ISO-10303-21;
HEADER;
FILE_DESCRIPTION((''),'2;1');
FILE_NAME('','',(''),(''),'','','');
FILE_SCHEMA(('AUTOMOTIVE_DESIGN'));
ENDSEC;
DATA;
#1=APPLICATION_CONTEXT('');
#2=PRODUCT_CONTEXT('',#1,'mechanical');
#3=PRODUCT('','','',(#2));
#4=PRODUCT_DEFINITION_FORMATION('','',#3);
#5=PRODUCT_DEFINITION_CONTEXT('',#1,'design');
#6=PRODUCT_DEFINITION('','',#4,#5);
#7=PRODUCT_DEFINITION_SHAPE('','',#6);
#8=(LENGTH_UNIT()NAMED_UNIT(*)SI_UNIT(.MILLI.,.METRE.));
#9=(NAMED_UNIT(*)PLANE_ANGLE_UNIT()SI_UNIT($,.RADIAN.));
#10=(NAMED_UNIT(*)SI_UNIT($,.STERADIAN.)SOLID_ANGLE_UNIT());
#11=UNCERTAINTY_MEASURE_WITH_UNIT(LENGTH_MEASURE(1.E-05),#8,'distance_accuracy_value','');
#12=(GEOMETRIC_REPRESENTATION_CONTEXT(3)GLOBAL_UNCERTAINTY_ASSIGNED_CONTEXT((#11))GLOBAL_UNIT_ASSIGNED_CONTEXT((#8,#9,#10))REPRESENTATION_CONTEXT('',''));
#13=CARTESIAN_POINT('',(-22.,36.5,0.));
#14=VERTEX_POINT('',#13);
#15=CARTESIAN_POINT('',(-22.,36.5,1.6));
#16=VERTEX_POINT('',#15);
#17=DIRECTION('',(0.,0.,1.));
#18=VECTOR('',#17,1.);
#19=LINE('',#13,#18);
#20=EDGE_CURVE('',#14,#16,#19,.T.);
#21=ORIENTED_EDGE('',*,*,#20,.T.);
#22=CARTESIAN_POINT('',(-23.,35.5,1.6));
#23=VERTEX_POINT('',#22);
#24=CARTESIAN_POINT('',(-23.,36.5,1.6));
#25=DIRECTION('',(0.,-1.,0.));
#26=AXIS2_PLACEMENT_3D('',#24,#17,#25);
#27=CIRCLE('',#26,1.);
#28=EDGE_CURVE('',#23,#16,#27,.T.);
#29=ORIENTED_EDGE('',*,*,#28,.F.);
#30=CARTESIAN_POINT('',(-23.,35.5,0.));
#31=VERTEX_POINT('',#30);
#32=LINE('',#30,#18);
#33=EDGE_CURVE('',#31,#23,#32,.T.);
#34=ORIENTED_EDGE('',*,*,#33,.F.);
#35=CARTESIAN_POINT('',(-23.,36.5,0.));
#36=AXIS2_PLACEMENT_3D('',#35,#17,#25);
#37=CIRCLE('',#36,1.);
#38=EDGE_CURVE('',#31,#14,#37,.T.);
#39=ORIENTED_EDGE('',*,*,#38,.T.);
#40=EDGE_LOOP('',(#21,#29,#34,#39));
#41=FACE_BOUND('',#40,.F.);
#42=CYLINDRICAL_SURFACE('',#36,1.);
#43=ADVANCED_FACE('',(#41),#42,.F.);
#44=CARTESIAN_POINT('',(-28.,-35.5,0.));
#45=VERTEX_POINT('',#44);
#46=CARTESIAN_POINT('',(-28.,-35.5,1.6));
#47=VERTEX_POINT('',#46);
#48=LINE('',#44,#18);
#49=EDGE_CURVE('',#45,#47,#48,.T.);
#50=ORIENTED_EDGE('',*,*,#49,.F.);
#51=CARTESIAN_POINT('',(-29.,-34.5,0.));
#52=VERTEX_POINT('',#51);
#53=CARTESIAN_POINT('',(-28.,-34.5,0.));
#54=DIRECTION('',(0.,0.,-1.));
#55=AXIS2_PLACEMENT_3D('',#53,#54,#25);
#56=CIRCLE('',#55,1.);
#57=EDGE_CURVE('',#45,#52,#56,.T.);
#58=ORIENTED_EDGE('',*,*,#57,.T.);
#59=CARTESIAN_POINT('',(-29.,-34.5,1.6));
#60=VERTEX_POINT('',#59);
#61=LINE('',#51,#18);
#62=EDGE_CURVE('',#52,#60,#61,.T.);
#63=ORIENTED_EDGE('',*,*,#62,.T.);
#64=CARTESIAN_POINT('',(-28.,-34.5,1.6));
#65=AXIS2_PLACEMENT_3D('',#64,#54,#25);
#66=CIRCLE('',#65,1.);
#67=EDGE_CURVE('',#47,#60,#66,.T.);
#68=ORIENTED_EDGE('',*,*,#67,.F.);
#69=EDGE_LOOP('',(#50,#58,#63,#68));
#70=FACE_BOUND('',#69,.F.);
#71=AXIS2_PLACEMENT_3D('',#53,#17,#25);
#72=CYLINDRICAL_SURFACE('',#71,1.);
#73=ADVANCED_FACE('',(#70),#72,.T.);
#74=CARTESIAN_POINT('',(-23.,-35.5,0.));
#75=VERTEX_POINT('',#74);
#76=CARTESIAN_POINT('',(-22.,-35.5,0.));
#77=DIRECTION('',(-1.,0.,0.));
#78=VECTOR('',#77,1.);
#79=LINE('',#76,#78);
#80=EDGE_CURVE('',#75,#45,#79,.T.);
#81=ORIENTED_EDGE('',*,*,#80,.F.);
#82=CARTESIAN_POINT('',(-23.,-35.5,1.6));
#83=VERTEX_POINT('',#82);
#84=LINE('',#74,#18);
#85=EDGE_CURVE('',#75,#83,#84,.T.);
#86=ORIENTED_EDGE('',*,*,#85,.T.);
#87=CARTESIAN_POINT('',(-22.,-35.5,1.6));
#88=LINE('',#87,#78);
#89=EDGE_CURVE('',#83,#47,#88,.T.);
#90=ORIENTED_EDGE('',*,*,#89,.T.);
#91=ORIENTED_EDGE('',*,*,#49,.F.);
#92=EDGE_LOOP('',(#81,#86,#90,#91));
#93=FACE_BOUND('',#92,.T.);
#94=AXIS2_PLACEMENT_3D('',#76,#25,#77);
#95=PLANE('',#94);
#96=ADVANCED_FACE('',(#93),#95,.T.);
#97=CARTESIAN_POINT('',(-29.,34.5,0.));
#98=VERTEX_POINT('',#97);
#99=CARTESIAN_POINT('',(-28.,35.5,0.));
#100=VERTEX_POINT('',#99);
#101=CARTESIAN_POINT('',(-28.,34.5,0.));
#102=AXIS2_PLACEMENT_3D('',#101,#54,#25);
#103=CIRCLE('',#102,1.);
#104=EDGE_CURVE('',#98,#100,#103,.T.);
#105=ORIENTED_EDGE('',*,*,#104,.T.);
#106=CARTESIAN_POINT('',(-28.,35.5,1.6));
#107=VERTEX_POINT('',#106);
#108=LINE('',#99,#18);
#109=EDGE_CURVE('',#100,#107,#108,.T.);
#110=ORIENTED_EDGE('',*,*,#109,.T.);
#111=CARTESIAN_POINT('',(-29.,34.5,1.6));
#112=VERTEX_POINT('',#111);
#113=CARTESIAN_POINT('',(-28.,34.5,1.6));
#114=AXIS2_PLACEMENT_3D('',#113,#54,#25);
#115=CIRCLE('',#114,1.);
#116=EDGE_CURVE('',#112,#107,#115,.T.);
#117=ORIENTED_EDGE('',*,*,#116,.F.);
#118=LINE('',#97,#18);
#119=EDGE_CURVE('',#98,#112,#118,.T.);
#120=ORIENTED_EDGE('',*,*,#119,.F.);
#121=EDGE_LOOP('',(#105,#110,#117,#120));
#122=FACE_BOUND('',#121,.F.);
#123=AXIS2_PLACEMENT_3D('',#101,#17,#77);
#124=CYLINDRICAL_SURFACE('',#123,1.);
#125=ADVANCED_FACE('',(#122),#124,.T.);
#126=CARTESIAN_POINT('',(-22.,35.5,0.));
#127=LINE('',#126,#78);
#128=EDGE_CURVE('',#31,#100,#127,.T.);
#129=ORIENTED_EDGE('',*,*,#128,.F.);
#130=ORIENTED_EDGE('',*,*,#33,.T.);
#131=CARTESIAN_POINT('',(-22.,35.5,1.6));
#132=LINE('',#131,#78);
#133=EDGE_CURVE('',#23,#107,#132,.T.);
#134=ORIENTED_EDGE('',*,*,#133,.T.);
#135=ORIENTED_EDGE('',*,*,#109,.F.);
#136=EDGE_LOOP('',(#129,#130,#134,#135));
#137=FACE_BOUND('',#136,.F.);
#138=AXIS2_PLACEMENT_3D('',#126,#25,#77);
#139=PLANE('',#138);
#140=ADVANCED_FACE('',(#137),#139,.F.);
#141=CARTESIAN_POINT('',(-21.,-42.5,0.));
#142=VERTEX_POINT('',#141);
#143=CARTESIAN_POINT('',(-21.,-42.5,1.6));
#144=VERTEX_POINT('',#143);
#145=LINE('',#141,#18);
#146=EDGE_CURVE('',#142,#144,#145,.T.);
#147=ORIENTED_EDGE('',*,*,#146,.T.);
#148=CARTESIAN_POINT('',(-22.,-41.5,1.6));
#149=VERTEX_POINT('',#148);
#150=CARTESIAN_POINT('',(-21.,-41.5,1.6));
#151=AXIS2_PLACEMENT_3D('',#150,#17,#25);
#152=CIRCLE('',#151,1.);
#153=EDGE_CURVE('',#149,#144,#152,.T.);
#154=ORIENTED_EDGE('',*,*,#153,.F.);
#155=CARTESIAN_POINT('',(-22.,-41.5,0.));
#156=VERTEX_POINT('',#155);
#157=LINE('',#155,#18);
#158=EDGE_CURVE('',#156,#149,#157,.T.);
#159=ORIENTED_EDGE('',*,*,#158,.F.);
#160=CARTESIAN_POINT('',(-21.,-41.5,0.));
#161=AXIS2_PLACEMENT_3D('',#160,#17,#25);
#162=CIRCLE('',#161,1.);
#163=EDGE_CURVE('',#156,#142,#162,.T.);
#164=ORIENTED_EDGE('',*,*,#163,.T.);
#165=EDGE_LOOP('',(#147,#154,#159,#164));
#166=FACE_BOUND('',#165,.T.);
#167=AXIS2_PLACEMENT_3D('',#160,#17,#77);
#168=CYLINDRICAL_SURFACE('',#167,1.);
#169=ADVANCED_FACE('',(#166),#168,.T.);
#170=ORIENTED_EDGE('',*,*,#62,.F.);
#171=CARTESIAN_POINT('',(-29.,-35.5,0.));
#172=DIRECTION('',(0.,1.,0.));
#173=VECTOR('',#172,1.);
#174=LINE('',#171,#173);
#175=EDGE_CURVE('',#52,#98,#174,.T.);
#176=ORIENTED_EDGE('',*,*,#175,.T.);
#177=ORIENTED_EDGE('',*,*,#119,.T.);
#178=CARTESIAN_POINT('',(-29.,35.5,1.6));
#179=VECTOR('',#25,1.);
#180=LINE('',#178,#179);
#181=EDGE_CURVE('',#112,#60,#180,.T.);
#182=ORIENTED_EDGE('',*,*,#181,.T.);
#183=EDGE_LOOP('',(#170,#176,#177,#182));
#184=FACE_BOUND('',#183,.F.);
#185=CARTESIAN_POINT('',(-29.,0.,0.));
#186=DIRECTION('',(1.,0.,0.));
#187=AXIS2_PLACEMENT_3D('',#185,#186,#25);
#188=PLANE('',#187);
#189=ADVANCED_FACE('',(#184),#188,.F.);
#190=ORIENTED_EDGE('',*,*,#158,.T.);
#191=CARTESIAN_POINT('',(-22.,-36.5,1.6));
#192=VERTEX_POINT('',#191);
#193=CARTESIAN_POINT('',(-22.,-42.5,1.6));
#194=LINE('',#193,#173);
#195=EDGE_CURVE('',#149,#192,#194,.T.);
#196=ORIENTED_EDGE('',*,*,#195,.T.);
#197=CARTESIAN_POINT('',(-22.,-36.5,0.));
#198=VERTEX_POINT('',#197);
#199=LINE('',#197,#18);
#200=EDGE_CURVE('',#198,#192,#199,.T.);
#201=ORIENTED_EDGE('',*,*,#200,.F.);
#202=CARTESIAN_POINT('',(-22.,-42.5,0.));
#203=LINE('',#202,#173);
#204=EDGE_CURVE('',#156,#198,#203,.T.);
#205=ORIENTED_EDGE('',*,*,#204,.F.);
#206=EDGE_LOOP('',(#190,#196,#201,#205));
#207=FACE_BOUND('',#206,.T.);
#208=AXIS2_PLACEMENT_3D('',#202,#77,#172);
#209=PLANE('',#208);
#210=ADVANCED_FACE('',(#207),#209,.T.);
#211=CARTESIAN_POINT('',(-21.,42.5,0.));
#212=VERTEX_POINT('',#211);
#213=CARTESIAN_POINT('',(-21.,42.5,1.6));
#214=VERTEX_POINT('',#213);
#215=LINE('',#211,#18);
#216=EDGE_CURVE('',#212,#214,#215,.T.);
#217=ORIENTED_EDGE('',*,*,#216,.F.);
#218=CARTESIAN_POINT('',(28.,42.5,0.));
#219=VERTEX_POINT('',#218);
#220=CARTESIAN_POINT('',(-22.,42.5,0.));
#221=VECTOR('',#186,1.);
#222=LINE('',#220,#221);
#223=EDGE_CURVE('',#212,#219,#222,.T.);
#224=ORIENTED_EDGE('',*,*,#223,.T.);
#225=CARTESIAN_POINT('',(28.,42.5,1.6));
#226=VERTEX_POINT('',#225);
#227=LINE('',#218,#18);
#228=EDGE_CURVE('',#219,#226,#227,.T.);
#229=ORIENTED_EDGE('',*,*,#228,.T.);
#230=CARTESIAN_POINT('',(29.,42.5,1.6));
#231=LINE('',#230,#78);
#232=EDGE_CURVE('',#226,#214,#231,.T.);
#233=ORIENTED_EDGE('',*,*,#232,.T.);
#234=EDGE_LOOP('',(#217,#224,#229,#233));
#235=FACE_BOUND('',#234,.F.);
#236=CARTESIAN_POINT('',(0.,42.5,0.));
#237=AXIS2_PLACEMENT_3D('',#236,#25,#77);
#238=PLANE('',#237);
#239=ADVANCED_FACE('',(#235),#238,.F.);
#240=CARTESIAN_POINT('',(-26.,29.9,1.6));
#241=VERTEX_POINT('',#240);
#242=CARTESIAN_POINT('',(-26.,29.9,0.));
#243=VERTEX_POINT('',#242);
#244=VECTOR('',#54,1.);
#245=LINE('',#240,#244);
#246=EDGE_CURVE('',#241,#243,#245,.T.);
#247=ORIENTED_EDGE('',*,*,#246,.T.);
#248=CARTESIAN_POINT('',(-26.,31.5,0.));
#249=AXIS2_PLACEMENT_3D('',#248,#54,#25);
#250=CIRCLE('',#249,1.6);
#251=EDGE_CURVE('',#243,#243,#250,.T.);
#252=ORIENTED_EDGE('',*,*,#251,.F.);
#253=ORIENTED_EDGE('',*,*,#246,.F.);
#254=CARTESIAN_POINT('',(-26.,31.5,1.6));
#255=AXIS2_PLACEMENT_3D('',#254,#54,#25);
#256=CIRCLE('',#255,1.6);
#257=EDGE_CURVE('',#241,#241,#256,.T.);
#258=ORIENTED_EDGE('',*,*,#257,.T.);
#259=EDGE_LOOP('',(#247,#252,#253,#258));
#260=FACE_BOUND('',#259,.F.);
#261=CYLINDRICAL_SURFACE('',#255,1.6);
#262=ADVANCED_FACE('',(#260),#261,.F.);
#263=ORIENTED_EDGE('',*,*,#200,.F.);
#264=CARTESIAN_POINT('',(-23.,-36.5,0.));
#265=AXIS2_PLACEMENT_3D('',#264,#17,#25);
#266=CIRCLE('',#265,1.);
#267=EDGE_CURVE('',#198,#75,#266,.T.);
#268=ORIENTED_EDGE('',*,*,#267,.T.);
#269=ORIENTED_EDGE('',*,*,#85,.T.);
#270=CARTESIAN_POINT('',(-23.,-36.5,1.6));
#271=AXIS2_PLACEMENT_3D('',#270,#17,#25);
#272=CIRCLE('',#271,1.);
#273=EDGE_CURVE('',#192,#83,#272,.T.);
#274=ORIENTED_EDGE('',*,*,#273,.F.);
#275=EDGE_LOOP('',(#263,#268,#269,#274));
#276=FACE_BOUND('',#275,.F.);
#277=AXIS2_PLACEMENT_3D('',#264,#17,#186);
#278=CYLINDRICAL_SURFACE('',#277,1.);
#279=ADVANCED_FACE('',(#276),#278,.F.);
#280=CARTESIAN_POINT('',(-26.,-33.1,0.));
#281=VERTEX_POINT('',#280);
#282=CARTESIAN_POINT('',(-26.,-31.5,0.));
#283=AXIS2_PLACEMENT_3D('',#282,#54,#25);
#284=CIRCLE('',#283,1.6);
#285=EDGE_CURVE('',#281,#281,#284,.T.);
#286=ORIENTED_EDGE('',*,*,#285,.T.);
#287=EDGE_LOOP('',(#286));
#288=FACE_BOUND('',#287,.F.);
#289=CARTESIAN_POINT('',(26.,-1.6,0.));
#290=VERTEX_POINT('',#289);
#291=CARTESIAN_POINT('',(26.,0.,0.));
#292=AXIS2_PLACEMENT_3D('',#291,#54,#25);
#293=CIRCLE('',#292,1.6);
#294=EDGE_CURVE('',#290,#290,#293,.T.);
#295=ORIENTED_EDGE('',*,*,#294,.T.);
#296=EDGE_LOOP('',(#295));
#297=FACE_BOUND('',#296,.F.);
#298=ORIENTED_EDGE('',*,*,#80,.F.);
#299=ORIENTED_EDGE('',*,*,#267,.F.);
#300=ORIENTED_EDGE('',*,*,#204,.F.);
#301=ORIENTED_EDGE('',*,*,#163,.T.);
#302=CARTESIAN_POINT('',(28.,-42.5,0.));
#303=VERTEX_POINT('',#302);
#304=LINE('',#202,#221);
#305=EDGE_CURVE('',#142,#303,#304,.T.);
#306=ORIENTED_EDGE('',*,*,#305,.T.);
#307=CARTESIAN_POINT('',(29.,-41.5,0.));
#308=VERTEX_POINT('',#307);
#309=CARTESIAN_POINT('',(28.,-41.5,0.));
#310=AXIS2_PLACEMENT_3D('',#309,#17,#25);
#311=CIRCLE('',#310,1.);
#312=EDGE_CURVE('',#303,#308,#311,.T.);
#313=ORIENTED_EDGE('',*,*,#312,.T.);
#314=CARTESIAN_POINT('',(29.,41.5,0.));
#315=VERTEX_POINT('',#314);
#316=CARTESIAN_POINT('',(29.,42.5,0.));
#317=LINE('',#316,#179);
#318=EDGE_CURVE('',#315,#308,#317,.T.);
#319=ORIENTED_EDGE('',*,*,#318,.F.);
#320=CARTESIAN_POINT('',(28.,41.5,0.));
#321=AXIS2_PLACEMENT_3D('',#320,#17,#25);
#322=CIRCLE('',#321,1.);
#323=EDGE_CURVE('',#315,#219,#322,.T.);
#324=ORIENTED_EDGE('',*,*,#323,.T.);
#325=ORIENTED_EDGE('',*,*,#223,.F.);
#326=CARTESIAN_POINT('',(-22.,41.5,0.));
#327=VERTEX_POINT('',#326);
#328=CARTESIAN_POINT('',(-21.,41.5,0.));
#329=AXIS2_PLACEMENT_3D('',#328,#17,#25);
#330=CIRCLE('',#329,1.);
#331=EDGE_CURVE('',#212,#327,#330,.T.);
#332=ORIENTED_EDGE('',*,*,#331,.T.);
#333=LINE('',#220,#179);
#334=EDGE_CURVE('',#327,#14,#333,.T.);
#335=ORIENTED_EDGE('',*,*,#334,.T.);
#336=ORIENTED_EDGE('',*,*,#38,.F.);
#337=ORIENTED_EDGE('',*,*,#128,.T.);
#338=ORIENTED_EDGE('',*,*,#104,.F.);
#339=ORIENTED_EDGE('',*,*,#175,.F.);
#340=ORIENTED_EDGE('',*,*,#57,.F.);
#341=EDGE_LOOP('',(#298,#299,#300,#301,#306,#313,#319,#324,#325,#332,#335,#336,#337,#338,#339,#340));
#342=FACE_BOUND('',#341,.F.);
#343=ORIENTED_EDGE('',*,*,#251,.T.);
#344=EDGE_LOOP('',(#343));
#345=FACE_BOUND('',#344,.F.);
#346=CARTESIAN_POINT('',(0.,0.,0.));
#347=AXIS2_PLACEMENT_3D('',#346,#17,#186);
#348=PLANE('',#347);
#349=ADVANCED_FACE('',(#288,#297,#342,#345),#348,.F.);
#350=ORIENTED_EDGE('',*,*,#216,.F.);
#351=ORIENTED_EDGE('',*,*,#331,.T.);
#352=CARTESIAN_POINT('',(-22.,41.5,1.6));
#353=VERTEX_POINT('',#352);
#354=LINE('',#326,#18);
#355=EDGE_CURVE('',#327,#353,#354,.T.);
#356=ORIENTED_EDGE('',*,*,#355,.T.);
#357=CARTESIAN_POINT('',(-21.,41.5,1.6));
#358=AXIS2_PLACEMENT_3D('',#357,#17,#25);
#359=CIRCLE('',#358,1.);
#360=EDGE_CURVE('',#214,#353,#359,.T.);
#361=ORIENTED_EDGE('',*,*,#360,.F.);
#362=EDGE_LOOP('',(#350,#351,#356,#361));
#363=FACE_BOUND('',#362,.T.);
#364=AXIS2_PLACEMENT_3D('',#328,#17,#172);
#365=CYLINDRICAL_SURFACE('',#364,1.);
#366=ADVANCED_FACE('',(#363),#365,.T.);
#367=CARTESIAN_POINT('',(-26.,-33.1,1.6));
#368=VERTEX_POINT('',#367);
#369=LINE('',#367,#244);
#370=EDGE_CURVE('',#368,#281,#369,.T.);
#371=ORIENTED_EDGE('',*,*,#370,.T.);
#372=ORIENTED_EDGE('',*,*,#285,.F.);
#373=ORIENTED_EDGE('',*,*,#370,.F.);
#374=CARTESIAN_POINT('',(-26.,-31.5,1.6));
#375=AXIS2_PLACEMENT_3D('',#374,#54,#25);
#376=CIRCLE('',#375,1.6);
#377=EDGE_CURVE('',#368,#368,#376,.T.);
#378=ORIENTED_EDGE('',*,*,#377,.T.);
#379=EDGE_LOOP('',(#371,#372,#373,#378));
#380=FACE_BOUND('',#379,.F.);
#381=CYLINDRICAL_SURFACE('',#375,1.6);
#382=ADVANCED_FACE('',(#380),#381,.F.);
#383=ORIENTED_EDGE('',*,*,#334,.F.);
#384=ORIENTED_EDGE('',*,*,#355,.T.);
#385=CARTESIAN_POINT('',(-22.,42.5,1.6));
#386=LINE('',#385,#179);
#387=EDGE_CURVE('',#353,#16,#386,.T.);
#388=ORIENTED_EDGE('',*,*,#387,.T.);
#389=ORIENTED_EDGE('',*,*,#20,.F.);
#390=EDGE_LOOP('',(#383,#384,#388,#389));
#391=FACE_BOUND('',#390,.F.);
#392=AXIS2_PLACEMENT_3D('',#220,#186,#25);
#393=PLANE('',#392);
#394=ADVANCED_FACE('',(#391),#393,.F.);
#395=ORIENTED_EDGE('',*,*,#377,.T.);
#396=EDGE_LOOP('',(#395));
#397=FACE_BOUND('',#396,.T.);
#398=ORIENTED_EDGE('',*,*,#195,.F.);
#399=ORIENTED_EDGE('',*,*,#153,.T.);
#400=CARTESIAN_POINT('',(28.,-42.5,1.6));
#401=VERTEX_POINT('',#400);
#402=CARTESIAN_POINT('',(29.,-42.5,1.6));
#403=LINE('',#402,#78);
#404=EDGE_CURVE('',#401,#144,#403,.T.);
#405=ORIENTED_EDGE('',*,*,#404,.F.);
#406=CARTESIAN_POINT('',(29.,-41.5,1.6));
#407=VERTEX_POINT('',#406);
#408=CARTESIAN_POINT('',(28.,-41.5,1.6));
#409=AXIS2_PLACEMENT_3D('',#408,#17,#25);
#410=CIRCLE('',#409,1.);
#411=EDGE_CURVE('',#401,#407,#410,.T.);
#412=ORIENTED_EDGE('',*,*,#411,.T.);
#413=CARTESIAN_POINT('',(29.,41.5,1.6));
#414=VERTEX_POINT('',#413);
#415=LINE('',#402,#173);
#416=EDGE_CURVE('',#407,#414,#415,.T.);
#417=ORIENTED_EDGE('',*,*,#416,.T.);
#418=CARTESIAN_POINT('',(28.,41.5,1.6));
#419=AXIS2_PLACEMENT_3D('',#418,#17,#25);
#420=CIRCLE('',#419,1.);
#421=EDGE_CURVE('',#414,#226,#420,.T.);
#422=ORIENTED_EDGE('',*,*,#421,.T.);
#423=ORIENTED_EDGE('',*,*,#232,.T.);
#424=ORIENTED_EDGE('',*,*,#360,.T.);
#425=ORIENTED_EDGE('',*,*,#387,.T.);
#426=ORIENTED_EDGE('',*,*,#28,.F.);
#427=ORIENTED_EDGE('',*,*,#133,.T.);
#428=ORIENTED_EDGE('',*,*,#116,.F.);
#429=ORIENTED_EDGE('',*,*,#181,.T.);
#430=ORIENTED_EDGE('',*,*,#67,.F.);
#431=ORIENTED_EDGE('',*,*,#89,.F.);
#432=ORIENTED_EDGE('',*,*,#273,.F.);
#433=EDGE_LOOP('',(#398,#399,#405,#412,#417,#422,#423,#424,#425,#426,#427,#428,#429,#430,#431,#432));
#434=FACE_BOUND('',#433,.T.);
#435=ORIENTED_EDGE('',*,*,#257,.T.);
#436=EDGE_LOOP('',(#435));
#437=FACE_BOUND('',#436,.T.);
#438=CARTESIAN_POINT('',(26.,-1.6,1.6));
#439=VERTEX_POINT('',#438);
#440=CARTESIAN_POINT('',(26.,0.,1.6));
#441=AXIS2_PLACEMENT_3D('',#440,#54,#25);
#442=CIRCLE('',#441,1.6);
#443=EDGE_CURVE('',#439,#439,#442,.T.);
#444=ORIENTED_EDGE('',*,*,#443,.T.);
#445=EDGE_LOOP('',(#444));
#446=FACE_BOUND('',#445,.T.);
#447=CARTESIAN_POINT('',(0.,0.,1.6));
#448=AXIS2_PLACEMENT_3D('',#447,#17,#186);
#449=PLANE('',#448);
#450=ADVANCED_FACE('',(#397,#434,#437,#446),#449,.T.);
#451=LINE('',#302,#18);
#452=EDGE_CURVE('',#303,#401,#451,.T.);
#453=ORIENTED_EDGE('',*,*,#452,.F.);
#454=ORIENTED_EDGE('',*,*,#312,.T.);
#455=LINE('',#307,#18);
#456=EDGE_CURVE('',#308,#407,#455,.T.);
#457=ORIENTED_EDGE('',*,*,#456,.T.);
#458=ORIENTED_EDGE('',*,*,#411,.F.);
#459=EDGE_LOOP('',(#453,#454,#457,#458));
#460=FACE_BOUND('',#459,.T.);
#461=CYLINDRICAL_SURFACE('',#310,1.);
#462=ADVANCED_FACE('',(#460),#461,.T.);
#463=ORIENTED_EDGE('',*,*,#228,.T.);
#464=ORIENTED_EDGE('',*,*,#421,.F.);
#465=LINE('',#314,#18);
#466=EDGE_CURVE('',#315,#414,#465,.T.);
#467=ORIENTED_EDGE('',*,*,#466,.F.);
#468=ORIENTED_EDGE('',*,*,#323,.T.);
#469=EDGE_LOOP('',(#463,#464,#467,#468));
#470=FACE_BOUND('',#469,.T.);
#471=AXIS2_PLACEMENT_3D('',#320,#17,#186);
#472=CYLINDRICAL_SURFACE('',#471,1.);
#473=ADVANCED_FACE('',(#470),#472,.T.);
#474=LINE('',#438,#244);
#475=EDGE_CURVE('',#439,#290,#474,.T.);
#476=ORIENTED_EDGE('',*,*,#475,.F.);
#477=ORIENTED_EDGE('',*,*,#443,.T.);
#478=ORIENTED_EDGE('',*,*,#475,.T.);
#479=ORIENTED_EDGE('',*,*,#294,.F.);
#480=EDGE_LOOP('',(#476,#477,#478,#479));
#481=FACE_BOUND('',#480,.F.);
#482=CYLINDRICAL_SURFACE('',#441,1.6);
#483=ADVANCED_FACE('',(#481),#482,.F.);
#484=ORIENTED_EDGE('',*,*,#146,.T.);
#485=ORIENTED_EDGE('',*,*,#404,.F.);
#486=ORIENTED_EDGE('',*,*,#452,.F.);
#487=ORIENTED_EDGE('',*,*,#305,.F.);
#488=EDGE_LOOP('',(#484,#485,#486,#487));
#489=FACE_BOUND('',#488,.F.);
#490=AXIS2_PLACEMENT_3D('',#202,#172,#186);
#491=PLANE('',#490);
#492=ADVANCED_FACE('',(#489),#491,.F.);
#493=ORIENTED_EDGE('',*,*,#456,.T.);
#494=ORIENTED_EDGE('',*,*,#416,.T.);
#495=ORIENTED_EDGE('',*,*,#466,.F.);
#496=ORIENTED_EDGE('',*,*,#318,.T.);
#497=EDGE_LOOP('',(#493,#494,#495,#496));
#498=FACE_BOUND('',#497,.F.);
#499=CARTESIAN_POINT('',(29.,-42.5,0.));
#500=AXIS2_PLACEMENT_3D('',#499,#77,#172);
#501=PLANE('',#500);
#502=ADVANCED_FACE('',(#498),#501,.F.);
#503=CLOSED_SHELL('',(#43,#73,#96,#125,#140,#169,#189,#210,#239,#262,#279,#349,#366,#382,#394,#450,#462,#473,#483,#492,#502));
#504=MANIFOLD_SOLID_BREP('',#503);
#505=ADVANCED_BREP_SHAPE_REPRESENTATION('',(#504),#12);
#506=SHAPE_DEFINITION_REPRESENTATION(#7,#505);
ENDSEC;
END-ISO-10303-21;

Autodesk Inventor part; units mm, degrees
ref_plane "YZ Plane" through (0, 0, 0) normal (1, 0, 0) x (0, 1, 0)
ref_plane "XZ Plane" through (0, 0, 0) normal (0, 1, 0) x (-1, 0, 0)
ref_plane "XY Plane" through (0, 0, 0) normal (0, 0, 1) x (1, 0, 0)
sketch "Skizze1" plane through (0, 0, 0) normal (0, 0, 1) x (1, 0, 0)
  line L0 (-22, -42.5) -> (29, -42.5)
  line L1 (29, -42.5) -> (29, 42.5)
  line L2 (29, 42.5) -> (-22, 42.5)
  line L3 (-29, 35.5) -> (-29, -35.5)
  line L4 (-22, -42.5) -> (-22, -35.5)
  line L5 (-22, -35.5) -> (-29, -35.5)
  line L6 (-22, 42.5) -> (-22, 35.5)
  line L7 (-22, 35.5) -> (-29, 35.5)
  line L8 (0, 59.5) -> (0, -59.5) projected
  line L9 (-40.6, 0) -> (40.6, 0) projected
  dimension "d22" = 58
  dimension "d23" = 85
  dimension "d24" = 7
  dimension "d25" = 7
  dimension "d26" = 7
  dimension "d27" = 7
extrude "Extrusion1" add sketch "Skizze1" along normal blind 1.6
sketch "Skizze2" plane through (0, 0, 1.6) normal (0, 0, 1) x (1, 0, 0)
  line L0 (-22, -42.5) -> (29, -42.5) projected
  line L1 (29, -42.5) -> (29, 42.5) projected
  line L2 (29, 42.5) -> (-22, 42.5) projected
  line L3 (-29, 35.5) -> (-29, -35.5) projected
  line L4 (-22, 42.5) -> (-22, 35.5) projected
  line L5 (-22, 35.5) -> (-29, 35.5) projected
  line L6 (-29, -35.5) -> (-22, -35.5) projected
  line L7 (-22, -35.5) -> (-22, -42.5) projected
  line L8 (-40.6, 0) -> (40.6, 0) projected
  point P0 (0, 0)
  point P1 (-26, 31.5)
  point P2 (-26, -31.5)
  point P3 (26, 0)
  dimension "d28" = 55
  dimension "d29" = 11
  dimension "d30" = 3
  dimension "d31" = 3
  dimension "d32" = 11
hole "Bohrung1" at (-26, 31.5, 1.6) at (-26, -31.5, 1.6) at (26, 0, 1.6) direction (0, 0, -1) diameter 3.2 end through all
fillet "Rundung1" radius 1 8 edges at (29, -42.5, 0.8) (29, 42.5, 0.8) (-22, -35.5, 0.8) (-22, -42.5, 0.8) (-29, -35.5, 0.8) (-29, 35.5, 0.8) (-22, 35.5, 0.8) (-22, 42.5, 0.8)
equation "\"d26\" = d24"
equation "\"d27\" = d25"
properties part number "Base Station PCB" material "Phenolharz"
